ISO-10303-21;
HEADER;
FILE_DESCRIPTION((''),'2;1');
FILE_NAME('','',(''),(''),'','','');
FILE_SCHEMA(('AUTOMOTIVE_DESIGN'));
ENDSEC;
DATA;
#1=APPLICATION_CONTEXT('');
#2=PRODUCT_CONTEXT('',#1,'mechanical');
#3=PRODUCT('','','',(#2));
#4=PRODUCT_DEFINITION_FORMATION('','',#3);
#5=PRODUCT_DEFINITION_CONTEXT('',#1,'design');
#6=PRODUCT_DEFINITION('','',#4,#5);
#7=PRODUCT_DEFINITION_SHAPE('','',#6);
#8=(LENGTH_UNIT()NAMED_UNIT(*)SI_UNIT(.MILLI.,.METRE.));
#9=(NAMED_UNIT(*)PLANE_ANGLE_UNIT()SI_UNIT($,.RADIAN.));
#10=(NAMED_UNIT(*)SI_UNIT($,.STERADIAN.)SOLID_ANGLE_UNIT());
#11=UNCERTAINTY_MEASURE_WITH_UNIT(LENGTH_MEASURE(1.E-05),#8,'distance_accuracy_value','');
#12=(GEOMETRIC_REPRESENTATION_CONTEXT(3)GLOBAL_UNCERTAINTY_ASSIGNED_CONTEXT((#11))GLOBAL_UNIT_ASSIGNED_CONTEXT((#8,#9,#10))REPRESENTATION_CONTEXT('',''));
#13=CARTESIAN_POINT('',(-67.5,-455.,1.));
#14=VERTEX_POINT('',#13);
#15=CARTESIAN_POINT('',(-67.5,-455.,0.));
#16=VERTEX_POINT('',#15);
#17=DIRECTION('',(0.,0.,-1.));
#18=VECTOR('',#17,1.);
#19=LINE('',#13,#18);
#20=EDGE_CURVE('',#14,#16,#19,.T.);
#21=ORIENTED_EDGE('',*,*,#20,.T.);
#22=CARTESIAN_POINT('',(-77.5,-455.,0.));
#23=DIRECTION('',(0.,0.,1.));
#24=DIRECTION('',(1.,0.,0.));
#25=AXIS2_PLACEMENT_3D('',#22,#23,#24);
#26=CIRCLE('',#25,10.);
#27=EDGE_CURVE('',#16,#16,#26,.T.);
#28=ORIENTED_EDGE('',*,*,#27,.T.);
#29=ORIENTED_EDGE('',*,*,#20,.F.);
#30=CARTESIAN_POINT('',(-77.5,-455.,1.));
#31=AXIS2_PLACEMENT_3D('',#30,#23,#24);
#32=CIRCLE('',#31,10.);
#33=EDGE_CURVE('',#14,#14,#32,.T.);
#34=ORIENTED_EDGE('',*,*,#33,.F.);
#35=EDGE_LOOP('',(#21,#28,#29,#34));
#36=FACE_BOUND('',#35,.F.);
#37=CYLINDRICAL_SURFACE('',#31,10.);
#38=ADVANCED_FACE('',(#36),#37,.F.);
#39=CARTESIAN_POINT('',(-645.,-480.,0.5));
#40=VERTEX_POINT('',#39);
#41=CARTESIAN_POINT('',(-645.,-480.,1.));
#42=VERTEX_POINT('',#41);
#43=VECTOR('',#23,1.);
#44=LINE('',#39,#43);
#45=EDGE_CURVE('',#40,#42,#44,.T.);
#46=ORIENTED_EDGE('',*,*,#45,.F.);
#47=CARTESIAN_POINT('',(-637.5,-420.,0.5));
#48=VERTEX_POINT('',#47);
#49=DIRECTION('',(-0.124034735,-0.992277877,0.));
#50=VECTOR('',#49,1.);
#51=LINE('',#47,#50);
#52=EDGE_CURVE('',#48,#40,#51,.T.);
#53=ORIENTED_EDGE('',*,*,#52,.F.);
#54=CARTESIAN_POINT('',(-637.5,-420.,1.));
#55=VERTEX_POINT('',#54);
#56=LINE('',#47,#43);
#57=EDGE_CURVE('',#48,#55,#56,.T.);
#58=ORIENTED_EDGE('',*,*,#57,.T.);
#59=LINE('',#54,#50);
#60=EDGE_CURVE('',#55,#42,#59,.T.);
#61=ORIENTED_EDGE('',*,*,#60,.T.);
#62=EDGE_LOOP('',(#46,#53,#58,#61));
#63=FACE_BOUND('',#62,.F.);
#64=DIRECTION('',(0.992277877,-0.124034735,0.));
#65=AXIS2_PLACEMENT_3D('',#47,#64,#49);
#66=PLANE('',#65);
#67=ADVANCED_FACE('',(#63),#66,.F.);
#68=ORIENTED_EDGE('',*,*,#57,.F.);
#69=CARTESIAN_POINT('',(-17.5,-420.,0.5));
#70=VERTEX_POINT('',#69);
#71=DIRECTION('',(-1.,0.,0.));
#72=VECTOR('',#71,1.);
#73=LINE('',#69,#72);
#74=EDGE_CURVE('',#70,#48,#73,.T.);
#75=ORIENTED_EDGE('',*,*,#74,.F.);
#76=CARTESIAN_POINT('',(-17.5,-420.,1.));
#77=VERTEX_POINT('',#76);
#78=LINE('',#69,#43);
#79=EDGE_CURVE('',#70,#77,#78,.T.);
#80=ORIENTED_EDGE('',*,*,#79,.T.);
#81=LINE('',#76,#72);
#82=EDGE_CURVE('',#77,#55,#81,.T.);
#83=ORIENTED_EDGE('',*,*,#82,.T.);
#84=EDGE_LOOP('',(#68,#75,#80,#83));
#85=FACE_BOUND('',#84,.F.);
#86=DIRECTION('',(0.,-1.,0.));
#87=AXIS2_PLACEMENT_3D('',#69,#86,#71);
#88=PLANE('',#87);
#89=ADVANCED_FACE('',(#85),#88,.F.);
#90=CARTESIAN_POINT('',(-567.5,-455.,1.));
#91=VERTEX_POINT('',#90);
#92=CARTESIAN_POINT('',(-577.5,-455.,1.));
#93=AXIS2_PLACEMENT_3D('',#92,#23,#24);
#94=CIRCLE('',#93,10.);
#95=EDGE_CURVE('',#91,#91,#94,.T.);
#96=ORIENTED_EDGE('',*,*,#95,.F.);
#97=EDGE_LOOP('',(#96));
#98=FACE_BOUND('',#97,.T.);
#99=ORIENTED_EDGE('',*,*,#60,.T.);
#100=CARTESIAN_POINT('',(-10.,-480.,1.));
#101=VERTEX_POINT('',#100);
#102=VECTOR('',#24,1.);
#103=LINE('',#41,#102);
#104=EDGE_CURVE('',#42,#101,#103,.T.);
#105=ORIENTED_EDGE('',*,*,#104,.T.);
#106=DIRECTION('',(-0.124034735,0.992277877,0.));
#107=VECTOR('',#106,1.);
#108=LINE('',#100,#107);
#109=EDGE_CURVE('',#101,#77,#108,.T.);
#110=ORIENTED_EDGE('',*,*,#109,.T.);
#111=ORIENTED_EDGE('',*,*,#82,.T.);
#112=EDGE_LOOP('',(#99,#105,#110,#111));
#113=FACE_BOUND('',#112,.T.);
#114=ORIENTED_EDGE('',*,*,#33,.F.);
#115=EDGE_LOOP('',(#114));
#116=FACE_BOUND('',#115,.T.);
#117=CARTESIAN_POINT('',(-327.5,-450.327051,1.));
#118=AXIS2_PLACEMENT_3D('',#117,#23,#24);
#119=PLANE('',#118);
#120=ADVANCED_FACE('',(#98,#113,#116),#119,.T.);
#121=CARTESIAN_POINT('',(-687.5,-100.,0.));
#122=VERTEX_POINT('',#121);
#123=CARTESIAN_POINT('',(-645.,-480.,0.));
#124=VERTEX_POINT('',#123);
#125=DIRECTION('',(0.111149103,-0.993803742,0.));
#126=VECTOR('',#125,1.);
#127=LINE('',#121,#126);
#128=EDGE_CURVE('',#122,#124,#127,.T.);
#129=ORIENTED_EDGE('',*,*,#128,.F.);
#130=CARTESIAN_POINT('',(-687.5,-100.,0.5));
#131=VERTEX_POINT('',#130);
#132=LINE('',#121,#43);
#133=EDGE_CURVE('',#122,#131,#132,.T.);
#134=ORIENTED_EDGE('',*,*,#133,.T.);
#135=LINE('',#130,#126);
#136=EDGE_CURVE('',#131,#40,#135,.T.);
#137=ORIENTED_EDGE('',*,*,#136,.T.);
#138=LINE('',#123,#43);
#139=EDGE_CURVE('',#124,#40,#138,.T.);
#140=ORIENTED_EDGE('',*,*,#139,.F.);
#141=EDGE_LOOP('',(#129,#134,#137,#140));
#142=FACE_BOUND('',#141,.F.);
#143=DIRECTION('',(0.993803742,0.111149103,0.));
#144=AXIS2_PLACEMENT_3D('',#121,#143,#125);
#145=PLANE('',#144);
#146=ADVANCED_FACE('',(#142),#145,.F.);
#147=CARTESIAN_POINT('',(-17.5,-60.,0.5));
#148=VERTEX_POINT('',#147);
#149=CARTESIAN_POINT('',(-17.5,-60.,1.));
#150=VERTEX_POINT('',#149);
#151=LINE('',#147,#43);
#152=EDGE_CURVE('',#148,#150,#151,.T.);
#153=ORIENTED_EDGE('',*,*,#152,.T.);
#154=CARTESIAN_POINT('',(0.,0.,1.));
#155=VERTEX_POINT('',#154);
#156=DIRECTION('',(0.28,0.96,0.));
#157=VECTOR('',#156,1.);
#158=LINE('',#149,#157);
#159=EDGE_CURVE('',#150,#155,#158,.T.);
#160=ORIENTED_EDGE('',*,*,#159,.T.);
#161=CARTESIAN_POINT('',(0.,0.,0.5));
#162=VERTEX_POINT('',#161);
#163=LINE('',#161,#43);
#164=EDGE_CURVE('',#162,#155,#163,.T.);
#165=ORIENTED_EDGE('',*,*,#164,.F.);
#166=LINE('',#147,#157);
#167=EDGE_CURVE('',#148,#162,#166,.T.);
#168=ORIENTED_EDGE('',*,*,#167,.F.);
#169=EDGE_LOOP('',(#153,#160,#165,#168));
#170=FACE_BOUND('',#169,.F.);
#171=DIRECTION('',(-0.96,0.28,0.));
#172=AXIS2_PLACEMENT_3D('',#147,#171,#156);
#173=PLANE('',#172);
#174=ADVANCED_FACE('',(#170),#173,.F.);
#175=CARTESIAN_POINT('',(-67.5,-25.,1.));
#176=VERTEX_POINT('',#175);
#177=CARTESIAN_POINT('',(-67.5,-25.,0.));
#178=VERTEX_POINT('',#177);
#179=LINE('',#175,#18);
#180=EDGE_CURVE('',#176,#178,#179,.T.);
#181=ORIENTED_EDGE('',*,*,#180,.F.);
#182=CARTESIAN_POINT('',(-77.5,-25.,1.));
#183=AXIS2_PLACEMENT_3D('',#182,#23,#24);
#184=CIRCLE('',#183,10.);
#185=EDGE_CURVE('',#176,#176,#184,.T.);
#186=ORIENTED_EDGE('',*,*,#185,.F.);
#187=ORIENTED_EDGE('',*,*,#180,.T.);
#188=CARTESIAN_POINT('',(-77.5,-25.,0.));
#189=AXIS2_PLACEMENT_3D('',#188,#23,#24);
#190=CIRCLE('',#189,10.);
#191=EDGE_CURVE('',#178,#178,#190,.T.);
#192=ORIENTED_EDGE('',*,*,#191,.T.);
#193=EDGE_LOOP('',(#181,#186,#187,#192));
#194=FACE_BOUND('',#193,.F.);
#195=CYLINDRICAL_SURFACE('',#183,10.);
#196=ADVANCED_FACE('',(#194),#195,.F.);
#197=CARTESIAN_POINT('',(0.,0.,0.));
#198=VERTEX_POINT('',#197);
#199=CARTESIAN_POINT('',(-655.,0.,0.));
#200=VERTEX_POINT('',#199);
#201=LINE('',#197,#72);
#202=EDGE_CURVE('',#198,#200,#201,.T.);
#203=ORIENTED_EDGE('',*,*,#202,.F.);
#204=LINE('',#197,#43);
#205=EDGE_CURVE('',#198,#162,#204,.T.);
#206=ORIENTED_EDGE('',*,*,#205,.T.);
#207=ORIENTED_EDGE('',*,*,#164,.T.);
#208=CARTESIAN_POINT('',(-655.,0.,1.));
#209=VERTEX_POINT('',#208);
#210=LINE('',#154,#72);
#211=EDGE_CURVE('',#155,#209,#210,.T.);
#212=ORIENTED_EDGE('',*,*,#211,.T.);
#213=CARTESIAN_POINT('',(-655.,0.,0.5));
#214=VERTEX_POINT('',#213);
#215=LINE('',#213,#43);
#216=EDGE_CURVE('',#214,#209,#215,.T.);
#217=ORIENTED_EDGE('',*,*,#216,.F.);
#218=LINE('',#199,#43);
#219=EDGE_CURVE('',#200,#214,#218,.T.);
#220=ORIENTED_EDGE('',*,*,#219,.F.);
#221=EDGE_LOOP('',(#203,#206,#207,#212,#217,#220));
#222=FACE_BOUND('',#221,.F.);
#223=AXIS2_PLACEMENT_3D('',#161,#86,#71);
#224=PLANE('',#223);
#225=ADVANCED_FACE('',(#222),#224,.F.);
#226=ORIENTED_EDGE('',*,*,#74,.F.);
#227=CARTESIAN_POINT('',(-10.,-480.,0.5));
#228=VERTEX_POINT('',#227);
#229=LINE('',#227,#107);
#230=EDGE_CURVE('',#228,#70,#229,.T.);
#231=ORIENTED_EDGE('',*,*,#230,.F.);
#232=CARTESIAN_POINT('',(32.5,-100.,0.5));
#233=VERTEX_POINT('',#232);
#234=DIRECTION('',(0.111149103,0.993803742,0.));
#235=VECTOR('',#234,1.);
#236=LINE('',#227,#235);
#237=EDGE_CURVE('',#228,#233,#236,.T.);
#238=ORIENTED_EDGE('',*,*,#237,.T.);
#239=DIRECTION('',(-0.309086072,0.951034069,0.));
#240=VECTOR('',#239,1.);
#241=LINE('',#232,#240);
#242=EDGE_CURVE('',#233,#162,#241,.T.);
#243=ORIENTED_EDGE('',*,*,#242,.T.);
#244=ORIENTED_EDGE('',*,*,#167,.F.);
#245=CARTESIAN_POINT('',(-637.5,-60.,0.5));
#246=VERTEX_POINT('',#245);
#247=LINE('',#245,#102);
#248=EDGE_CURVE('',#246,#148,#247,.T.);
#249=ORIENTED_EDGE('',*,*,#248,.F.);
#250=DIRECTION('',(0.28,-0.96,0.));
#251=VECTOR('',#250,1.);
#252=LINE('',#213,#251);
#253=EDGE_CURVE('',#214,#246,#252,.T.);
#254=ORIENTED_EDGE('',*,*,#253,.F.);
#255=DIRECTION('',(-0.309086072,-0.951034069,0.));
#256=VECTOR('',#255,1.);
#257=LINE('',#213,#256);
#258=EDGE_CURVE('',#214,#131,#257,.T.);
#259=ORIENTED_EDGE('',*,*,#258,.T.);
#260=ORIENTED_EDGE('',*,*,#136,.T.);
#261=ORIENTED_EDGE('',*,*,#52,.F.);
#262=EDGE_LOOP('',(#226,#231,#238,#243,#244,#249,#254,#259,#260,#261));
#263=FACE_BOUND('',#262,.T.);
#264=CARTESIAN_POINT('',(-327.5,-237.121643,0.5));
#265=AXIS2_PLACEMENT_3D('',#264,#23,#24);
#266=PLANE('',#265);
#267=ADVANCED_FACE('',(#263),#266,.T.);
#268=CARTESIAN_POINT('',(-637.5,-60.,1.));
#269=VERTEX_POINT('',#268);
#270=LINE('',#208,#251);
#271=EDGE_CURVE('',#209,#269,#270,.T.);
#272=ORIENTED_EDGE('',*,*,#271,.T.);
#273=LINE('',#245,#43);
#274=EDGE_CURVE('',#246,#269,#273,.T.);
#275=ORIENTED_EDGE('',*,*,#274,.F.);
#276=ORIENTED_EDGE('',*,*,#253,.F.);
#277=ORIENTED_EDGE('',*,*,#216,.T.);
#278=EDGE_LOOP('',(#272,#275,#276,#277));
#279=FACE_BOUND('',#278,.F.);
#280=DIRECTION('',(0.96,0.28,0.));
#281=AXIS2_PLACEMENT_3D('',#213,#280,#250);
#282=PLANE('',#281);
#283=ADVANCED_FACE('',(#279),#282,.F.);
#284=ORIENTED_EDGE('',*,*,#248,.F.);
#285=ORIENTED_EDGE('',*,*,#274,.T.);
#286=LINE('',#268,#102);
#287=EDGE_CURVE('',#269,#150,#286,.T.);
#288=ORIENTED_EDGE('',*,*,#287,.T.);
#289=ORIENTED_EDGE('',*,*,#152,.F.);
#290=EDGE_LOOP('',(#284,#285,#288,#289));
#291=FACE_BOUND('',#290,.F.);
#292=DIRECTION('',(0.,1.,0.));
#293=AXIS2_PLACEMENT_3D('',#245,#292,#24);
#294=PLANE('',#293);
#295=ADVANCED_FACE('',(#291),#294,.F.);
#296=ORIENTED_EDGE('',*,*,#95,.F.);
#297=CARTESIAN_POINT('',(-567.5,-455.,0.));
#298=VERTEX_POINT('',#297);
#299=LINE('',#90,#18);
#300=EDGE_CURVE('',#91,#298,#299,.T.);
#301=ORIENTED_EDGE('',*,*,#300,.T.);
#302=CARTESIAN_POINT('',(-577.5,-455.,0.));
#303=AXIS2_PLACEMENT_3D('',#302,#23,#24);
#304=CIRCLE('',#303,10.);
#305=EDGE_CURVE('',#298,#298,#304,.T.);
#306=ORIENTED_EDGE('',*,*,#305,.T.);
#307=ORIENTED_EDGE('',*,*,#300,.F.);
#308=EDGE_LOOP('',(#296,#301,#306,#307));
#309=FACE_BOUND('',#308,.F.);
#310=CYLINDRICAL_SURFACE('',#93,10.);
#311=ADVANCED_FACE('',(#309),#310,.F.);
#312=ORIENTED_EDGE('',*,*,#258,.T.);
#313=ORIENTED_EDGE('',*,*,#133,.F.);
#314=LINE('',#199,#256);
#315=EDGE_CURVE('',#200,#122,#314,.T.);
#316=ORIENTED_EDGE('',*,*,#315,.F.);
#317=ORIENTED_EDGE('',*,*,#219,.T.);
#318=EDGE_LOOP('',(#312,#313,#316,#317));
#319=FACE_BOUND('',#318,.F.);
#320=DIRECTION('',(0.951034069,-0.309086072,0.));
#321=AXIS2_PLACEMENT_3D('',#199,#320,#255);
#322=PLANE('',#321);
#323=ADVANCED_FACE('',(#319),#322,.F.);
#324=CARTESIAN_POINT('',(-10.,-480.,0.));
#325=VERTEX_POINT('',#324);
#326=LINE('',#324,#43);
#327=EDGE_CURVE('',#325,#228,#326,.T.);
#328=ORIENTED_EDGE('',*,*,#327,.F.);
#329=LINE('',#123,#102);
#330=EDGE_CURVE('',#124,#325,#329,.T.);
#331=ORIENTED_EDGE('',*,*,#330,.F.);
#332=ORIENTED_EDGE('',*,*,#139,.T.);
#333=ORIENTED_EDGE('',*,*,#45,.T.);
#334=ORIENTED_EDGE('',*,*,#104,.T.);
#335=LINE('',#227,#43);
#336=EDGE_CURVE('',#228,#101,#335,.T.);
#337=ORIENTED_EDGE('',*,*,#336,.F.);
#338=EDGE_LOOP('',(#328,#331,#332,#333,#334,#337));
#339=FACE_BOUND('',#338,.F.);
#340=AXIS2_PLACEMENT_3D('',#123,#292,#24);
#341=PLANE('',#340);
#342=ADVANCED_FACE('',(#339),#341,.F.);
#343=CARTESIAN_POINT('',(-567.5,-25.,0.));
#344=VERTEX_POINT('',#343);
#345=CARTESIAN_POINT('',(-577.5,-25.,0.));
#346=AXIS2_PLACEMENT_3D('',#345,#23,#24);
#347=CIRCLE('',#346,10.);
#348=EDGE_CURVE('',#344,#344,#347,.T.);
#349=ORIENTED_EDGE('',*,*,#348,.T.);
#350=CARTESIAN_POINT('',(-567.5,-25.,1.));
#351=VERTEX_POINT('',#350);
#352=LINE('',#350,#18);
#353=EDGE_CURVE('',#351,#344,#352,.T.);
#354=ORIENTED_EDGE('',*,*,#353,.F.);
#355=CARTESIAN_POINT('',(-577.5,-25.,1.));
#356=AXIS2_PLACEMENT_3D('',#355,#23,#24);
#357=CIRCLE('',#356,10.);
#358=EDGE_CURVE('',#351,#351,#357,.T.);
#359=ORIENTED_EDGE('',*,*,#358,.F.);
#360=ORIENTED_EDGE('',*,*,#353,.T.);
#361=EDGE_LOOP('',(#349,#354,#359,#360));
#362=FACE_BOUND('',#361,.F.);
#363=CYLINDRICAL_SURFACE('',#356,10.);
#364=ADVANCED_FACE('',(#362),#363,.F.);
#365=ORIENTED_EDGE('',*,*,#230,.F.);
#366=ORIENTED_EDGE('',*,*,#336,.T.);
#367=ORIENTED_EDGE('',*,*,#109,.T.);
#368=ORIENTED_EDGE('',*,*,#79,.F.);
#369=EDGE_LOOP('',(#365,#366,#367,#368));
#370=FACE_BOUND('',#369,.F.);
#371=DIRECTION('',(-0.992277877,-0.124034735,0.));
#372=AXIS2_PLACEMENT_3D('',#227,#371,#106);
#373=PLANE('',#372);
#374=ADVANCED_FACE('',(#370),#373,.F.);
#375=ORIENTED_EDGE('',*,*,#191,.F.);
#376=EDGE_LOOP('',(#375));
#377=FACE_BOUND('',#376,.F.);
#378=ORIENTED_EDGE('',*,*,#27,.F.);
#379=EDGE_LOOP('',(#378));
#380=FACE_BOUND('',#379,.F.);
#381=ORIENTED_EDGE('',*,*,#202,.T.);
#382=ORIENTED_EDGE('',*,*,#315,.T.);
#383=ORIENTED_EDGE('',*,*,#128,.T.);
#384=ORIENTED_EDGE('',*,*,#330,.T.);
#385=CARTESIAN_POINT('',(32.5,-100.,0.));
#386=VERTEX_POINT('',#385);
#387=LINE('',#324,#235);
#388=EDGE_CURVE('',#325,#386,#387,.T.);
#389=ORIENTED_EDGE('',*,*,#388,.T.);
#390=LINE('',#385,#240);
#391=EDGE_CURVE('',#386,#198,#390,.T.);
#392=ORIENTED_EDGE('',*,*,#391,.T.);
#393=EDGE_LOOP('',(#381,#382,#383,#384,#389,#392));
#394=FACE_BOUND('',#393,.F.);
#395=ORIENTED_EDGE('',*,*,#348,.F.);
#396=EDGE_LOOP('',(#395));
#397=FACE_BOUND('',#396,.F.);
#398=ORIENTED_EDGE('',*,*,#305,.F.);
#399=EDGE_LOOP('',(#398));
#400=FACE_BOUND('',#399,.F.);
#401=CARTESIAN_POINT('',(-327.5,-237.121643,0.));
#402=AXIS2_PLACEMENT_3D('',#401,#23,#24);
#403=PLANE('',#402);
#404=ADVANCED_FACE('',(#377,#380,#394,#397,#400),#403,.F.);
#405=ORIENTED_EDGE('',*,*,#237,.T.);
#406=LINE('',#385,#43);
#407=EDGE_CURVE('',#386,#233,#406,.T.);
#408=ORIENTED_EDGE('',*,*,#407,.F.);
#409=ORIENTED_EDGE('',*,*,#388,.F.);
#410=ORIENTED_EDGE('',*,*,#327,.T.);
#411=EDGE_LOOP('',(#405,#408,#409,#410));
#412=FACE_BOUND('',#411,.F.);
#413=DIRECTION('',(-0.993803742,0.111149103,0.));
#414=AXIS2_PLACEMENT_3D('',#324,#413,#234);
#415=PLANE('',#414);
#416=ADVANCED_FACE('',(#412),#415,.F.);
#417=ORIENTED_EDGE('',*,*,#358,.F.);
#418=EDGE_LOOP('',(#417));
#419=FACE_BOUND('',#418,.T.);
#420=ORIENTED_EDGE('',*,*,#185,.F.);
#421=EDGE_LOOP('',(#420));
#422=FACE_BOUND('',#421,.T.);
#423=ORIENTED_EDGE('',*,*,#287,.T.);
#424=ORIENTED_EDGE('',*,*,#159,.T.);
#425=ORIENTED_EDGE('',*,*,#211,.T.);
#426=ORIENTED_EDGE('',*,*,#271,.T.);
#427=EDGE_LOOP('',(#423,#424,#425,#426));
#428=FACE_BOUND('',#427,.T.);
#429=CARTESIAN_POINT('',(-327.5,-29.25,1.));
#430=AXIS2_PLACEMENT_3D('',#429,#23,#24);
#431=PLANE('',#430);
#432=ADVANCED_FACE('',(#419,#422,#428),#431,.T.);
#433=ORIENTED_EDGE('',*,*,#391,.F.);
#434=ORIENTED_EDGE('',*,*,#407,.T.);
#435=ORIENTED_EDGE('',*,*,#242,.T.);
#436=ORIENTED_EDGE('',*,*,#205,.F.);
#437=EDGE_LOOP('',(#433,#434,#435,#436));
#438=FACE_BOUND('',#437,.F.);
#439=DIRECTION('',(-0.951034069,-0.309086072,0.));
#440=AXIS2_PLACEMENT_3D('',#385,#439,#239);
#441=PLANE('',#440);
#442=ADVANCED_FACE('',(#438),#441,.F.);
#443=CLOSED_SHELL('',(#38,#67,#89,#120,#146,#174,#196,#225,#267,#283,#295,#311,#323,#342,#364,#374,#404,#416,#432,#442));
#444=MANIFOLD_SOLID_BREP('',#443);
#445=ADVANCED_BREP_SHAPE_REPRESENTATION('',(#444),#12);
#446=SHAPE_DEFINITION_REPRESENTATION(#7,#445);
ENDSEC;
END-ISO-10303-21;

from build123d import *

# Parameters (mm, degrees)
F1_DEPTH = 0.5
F3_DEPTH = 0.5
F4_R     = 10
F5_DEPTH = 25


with BuildPart() as f1:
    # F0 (on Top) → F1 (new body)
    with BuildSketch(Plane.XY):
        Polygon((0, 0), (-655, 0), (-687.5, -100), (-645, -480), (-10, -480), (32.5, -100), align=None)
    extrude(amount=F1_DEPTH)

    # F2 (on face) → F3 (join)
    with BuildSketch(Plane.XY.offset(0.5)):
        Polygon((0, 0), (-655, 0), (-637.5, -60), (-17.5, -60), align=None)
        Polygon((-645, -480), (-10, -480), (-17.5, -420), (-637.5, -420), align=None)
    extrude(amount=F3_DEPTH)

    # F4 (on face) → F5 (cut)
    with BuildSketch(Plane.XY.offset(1)):
        with Locations((-577.5, -25)):
            Circle(F4_R)
        with Locations((-577.5, -455)):
            Circle(F4_R)
        with Locations((-77.5, -25)):
            Circle(F4_R)
        with Locations((-77.5, -455)):
            Circle(F4_R)
    extrude(amount=-F5_DEPTH, mode=Mode.SUBTRACT)


solid = f1.part
